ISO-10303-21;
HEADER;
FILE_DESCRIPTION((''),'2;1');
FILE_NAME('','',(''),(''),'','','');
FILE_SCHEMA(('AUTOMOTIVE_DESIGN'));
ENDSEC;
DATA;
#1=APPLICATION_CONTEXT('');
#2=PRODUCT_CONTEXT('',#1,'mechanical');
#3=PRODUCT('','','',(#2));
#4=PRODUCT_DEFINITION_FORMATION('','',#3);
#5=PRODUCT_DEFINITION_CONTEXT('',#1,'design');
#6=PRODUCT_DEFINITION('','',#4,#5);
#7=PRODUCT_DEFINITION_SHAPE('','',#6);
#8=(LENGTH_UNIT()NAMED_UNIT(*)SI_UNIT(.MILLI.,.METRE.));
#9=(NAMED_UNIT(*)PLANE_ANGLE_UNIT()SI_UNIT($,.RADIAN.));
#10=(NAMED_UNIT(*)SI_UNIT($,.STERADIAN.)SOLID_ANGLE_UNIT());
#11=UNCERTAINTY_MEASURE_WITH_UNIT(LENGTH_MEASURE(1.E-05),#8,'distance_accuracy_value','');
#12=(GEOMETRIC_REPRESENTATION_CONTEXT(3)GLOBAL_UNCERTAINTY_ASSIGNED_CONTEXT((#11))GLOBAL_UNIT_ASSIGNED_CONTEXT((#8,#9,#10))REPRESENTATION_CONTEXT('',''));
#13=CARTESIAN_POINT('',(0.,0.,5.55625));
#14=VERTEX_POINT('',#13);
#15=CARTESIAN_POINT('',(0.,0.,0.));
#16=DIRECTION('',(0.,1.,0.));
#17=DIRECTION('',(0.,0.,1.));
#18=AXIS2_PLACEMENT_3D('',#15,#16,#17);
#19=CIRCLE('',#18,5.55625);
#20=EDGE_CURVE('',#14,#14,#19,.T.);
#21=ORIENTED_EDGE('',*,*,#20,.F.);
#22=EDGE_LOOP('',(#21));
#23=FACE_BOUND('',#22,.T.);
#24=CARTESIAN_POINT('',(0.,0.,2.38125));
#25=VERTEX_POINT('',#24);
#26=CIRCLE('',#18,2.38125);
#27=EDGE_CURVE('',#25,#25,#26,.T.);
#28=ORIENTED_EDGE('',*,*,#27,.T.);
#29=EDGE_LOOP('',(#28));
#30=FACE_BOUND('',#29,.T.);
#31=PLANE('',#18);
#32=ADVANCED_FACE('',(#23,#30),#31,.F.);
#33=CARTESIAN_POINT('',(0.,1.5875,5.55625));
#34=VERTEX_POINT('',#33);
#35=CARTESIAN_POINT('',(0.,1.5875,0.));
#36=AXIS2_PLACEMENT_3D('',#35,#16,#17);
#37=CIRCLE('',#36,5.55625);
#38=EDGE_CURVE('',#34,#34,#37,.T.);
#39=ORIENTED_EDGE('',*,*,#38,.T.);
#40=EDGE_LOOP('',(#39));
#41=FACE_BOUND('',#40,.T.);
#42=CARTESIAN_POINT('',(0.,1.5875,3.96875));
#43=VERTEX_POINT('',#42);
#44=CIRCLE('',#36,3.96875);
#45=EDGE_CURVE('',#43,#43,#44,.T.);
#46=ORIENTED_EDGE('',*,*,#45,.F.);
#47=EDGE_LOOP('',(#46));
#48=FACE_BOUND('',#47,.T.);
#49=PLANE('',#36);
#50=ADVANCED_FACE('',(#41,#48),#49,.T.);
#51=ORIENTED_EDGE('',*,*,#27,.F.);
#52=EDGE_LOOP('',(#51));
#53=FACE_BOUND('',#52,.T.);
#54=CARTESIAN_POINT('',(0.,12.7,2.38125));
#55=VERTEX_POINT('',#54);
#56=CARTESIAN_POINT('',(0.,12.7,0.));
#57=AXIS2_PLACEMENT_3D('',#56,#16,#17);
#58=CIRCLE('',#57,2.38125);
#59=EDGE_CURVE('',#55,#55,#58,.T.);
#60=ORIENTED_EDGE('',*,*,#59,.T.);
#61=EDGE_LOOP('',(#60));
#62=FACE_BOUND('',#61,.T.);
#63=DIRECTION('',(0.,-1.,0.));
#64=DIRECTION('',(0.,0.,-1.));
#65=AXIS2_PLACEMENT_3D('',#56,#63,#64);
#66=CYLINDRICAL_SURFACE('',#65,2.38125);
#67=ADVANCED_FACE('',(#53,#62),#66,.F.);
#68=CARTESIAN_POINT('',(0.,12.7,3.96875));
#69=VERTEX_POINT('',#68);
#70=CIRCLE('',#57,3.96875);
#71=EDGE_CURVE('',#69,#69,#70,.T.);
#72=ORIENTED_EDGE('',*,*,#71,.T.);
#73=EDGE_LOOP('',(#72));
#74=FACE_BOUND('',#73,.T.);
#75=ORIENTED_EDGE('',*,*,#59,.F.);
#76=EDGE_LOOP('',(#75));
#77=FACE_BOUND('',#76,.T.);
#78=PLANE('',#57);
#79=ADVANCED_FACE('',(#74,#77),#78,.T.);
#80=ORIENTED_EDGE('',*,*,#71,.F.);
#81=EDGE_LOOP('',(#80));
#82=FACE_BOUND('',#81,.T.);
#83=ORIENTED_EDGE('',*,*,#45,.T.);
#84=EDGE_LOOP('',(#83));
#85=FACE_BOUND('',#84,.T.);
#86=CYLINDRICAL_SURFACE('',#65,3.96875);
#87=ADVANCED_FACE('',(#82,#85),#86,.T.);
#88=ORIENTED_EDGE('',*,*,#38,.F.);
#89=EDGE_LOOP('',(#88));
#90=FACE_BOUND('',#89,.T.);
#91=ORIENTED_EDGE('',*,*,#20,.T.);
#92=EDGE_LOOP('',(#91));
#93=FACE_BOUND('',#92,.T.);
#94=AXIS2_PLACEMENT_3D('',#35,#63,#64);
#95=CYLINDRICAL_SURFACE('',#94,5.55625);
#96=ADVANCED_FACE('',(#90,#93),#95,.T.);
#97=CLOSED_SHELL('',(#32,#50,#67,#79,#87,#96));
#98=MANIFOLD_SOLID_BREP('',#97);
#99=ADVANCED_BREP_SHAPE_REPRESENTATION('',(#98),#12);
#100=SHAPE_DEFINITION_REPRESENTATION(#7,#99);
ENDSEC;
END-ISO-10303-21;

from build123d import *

# Parameters (mm, degrees)
SKETCH2_R           = 3.96875
SKETCH2_R_2         = 2.38125
BOSS_EXTRUDE1_DEPTH = 12.7
SKETCH3_R           = 5.55625
SKETCH3_R_2         = 3.96875
BOSS_EXTRUDE2_DEPTH = 1.5875


with BuildPart() as part:
    # Sketch2 → Boss-Extrude1 (new body)
    with BuildSketch(Plane(origin=(0, 0, 0), x_dir=(1, 0, 0), z_dir=(0, 1, 0))):
        Circle(SKETCH2_R)
        Circle(SKETCH2_R_2, mode=Mode.SUBTRACT)
    extrude(amount=BOSS_EXTRUDE1_DEPTH)

    # Sketch3 → Boss-Extrude2 (add)
    with BuildSketch(Plane(origin=(0, 0, 0), x_dir=(1, 0, 0), z_dir=(0, 1, 0))):
        Circle(SKETCH3_R)
        Circle(SKETCH3_R_2, mode=Mode.SUBTRACT)
    extrude(amount=BOSS_EXTRUDE2_DEPTH)


solid = part.part
